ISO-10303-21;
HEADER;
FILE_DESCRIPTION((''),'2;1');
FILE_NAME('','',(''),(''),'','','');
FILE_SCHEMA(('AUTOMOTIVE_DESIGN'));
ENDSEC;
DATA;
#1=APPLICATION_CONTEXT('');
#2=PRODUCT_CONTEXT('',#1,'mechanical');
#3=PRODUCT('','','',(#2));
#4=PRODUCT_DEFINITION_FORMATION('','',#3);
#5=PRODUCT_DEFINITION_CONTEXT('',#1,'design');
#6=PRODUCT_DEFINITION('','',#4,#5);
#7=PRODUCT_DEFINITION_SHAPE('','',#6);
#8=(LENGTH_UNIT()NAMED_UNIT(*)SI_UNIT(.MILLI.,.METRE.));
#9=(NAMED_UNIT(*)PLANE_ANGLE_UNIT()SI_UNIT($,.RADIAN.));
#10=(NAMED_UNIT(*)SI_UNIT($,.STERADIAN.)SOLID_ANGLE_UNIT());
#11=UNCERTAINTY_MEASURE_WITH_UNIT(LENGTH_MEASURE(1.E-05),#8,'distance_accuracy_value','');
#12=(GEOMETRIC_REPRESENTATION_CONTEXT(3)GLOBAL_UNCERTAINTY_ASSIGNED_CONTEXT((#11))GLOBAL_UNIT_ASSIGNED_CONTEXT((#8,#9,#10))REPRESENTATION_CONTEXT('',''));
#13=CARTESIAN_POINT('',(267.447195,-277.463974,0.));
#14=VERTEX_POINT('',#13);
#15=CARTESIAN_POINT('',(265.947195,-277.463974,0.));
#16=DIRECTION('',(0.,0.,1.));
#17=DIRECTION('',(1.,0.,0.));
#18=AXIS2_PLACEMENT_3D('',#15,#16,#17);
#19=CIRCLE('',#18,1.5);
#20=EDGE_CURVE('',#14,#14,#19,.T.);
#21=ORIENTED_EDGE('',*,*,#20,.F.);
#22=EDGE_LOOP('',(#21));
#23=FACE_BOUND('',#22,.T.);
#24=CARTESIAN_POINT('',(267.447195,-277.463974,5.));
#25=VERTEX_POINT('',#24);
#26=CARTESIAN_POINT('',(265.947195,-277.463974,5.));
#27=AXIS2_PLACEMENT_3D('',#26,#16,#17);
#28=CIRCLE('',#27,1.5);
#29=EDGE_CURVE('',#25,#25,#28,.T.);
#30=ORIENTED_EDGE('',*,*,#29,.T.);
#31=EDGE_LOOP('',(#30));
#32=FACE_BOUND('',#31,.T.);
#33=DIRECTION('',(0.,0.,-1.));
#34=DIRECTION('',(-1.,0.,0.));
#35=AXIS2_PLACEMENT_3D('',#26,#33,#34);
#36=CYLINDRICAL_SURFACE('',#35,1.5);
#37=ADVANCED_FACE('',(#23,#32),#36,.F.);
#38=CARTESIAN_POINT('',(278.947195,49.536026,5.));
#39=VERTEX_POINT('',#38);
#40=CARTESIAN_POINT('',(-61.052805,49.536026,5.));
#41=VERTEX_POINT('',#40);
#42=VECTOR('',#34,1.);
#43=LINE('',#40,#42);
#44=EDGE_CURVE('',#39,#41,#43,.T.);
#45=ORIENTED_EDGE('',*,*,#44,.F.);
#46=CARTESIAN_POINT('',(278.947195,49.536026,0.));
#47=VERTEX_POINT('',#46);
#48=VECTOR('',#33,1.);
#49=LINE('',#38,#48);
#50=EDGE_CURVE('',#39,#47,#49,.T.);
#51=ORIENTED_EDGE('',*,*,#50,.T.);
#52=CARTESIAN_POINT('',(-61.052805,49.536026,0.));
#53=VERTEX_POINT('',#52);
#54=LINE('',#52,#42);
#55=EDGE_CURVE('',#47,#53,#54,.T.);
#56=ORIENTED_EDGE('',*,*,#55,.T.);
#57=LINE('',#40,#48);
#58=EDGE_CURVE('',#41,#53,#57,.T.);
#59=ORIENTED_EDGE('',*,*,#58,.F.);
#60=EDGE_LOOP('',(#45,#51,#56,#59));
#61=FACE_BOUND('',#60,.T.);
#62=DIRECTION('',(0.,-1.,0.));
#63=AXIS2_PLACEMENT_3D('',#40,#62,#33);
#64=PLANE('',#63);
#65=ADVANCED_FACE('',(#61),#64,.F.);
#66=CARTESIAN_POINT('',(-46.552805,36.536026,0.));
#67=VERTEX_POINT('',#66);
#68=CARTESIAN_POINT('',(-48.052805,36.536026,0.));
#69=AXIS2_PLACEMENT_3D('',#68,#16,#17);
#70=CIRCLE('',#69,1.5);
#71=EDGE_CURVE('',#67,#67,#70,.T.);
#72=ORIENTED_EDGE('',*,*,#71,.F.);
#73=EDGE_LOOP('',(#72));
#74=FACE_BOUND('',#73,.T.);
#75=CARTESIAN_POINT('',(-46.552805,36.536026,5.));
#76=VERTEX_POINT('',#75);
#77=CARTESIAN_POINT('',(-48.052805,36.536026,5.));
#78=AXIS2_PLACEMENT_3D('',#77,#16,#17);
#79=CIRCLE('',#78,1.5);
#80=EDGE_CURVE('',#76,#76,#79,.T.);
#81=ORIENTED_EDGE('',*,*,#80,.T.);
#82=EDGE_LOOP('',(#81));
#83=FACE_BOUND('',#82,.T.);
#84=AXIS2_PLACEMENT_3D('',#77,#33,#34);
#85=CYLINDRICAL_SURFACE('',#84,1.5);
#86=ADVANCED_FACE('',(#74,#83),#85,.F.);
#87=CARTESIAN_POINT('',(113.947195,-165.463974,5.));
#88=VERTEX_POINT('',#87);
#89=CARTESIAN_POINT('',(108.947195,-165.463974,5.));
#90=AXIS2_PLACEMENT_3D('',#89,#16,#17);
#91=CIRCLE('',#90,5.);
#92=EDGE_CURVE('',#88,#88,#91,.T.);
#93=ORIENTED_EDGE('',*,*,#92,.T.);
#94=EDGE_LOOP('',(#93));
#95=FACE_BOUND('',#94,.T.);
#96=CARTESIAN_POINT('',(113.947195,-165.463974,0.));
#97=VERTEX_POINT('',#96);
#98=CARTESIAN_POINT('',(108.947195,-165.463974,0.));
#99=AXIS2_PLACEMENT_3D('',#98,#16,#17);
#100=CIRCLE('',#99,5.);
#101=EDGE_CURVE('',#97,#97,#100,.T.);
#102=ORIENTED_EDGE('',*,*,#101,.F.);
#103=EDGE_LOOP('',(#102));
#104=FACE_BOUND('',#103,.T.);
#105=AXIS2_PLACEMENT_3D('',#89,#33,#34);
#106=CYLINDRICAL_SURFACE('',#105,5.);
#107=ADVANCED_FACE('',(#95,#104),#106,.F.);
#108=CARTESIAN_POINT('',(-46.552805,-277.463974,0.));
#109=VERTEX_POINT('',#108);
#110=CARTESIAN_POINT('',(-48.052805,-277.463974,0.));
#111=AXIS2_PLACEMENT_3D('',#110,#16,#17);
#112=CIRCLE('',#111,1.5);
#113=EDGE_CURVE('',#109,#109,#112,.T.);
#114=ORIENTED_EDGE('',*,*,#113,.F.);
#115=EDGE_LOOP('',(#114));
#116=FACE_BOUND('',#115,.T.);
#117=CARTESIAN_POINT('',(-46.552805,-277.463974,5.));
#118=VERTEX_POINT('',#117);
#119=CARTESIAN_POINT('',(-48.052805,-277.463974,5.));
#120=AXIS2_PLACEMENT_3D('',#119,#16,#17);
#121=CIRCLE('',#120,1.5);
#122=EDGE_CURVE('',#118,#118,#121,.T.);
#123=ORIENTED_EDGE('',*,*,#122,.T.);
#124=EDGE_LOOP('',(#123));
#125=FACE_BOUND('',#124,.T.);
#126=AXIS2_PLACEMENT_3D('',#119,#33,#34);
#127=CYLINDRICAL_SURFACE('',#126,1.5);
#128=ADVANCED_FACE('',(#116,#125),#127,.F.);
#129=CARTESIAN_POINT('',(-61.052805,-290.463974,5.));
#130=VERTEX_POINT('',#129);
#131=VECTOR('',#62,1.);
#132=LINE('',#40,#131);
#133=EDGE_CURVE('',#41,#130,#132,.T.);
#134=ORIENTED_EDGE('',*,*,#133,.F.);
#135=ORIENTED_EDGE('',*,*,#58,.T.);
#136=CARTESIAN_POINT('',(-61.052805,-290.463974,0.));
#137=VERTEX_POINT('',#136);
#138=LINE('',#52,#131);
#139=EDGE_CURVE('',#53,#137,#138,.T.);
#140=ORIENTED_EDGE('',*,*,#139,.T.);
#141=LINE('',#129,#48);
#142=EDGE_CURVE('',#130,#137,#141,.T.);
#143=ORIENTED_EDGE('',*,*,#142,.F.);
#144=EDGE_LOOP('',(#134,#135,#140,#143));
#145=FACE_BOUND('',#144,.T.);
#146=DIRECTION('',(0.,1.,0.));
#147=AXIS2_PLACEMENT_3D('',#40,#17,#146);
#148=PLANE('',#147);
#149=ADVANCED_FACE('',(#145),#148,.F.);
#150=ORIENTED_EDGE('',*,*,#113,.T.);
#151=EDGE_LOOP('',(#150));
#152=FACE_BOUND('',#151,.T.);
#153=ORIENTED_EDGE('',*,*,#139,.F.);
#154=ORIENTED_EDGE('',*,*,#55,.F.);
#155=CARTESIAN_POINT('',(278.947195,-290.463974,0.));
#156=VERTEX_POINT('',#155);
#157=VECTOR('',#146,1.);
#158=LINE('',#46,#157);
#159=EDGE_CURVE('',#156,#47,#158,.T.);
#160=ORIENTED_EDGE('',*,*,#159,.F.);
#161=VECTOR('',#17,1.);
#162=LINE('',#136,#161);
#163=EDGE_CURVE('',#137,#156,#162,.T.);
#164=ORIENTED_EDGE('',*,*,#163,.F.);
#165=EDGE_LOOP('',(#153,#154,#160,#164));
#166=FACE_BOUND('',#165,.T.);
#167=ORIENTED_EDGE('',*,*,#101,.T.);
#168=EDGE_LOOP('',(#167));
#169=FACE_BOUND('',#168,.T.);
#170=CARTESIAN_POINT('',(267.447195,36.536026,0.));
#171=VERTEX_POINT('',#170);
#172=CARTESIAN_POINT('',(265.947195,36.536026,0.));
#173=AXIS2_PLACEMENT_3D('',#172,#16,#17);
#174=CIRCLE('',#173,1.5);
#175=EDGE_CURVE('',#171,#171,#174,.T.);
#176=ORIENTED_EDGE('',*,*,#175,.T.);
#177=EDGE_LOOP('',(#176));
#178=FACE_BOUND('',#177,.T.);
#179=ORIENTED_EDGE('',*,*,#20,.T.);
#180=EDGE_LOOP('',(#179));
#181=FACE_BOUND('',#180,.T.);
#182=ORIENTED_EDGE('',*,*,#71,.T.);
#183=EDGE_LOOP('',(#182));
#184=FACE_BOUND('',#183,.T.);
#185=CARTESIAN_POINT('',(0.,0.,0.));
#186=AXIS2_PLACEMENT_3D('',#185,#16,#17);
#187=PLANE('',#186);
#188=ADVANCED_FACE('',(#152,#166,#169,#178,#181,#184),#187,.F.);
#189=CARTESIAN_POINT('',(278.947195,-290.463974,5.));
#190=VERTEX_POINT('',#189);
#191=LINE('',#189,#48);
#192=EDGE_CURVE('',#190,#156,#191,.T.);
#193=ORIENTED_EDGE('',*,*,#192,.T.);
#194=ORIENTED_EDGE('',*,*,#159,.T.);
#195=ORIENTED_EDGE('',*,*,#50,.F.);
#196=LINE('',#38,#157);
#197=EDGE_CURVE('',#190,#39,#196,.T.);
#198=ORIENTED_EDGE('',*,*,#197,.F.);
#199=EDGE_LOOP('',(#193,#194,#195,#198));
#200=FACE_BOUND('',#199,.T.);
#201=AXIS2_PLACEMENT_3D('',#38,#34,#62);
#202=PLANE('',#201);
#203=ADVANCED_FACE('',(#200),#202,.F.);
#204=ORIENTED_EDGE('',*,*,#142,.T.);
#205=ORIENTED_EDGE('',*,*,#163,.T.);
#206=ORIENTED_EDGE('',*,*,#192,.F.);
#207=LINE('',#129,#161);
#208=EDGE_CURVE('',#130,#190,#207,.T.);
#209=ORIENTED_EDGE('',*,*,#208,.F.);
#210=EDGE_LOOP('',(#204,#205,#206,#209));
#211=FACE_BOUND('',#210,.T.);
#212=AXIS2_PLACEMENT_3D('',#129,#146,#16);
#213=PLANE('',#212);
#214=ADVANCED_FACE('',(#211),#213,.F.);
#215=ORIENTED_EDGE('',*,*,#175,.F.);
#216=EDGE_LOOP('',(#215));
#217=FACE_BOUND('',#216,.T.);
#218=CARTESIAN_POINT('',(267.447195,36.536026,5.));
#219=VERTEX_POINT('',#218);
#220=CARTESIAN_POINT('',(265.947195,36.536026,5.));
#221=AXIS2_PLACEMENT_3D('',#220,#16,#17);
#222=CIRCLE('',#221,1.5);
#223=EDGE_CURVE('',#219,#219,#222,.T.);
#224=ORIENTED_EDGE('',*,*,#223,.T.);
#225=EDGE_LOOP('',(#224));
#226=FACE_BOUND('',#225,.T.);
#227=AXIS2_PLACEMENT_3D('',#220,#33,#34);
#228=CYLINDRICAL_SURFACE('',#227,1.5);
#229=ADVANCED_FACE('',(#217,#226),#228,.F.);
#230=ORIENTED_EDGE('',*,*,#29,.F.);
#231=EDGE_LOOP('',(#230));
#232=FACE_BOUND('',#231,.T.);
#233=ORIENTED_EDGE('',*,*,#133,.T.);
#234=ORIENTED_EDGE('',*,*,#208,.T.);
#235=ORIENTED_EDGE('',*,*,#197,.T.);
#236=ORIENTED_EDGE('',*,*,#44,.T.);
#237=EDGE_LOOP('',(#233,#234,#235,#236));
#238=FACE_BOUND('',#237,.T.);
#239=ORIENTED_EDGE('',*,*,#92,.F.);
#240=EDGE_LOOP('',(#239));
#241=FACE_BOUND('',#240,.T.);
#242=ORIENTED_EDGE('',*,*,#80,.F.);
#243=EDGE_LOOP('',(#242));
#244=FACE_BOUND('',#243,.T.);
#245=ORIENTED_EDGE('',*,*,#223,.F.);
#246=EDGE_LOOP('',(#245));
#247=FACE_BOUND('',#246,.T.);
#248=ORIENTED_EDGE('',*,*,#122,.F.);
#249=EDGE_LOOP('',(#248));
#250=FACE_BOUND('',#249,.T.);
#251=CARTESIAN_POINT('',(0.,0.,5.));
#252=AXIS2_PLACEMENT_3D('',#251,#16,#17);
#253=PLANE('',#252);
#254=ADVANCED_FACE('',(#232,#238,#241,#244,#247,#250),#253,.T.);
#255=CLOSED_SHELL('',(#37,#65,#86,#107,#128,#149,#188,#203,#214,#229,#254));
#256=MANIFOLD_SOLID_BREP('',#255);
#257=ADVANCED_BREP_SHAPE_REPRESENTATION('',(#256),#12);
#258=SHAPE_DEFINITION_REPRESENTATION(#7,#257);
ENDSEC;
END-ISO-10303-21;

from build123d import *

# Parameters (mm, degrees)
CROQUIS1_W              = 340
CROQUIS1_H              = 340
CROQUIS1_R              = 1.5
CROQUIS1_R_2            = 5
SALIENTE_EXTRUIR1_DEPTH = 5


with BuildPart() as part:
    # Croquis1 → Saliente-Extruir1 (new body)
    with BuildSketch(Plane.XY):
        with Locations((108.94719541, -120.463974458)):
            Rectangle(CROQUIS1_W, CROQUIS1_H)
        with Locations((-48.05280459, -277.463974458)):
            Circle(CROQUIS1_R, mode=Mode.SUBTRACT)
        with Locations((-48.05280459, 36.536025542)):
            Circle(CROQUIS1_R, mode=Mode.SUBTRACT)
        with Locations((265.94719541, -277.463974458)):
            Circle(CROQUIS1_R, mode=Mode.SUBTRACT)
        with Locations((265.94719541, 36.536025542)):
            Circle(CROQUIS1_R, mode=Mode.SUBTRACT)
        with Locations((108.94719541, -165.463974458)):
            Circle(CROQUIS1_R_2, mode=Mode.SUBTRACT)
    extrude(amount=SALIENTE_EXTRUIR1_DEPTH)


solid = part.part
